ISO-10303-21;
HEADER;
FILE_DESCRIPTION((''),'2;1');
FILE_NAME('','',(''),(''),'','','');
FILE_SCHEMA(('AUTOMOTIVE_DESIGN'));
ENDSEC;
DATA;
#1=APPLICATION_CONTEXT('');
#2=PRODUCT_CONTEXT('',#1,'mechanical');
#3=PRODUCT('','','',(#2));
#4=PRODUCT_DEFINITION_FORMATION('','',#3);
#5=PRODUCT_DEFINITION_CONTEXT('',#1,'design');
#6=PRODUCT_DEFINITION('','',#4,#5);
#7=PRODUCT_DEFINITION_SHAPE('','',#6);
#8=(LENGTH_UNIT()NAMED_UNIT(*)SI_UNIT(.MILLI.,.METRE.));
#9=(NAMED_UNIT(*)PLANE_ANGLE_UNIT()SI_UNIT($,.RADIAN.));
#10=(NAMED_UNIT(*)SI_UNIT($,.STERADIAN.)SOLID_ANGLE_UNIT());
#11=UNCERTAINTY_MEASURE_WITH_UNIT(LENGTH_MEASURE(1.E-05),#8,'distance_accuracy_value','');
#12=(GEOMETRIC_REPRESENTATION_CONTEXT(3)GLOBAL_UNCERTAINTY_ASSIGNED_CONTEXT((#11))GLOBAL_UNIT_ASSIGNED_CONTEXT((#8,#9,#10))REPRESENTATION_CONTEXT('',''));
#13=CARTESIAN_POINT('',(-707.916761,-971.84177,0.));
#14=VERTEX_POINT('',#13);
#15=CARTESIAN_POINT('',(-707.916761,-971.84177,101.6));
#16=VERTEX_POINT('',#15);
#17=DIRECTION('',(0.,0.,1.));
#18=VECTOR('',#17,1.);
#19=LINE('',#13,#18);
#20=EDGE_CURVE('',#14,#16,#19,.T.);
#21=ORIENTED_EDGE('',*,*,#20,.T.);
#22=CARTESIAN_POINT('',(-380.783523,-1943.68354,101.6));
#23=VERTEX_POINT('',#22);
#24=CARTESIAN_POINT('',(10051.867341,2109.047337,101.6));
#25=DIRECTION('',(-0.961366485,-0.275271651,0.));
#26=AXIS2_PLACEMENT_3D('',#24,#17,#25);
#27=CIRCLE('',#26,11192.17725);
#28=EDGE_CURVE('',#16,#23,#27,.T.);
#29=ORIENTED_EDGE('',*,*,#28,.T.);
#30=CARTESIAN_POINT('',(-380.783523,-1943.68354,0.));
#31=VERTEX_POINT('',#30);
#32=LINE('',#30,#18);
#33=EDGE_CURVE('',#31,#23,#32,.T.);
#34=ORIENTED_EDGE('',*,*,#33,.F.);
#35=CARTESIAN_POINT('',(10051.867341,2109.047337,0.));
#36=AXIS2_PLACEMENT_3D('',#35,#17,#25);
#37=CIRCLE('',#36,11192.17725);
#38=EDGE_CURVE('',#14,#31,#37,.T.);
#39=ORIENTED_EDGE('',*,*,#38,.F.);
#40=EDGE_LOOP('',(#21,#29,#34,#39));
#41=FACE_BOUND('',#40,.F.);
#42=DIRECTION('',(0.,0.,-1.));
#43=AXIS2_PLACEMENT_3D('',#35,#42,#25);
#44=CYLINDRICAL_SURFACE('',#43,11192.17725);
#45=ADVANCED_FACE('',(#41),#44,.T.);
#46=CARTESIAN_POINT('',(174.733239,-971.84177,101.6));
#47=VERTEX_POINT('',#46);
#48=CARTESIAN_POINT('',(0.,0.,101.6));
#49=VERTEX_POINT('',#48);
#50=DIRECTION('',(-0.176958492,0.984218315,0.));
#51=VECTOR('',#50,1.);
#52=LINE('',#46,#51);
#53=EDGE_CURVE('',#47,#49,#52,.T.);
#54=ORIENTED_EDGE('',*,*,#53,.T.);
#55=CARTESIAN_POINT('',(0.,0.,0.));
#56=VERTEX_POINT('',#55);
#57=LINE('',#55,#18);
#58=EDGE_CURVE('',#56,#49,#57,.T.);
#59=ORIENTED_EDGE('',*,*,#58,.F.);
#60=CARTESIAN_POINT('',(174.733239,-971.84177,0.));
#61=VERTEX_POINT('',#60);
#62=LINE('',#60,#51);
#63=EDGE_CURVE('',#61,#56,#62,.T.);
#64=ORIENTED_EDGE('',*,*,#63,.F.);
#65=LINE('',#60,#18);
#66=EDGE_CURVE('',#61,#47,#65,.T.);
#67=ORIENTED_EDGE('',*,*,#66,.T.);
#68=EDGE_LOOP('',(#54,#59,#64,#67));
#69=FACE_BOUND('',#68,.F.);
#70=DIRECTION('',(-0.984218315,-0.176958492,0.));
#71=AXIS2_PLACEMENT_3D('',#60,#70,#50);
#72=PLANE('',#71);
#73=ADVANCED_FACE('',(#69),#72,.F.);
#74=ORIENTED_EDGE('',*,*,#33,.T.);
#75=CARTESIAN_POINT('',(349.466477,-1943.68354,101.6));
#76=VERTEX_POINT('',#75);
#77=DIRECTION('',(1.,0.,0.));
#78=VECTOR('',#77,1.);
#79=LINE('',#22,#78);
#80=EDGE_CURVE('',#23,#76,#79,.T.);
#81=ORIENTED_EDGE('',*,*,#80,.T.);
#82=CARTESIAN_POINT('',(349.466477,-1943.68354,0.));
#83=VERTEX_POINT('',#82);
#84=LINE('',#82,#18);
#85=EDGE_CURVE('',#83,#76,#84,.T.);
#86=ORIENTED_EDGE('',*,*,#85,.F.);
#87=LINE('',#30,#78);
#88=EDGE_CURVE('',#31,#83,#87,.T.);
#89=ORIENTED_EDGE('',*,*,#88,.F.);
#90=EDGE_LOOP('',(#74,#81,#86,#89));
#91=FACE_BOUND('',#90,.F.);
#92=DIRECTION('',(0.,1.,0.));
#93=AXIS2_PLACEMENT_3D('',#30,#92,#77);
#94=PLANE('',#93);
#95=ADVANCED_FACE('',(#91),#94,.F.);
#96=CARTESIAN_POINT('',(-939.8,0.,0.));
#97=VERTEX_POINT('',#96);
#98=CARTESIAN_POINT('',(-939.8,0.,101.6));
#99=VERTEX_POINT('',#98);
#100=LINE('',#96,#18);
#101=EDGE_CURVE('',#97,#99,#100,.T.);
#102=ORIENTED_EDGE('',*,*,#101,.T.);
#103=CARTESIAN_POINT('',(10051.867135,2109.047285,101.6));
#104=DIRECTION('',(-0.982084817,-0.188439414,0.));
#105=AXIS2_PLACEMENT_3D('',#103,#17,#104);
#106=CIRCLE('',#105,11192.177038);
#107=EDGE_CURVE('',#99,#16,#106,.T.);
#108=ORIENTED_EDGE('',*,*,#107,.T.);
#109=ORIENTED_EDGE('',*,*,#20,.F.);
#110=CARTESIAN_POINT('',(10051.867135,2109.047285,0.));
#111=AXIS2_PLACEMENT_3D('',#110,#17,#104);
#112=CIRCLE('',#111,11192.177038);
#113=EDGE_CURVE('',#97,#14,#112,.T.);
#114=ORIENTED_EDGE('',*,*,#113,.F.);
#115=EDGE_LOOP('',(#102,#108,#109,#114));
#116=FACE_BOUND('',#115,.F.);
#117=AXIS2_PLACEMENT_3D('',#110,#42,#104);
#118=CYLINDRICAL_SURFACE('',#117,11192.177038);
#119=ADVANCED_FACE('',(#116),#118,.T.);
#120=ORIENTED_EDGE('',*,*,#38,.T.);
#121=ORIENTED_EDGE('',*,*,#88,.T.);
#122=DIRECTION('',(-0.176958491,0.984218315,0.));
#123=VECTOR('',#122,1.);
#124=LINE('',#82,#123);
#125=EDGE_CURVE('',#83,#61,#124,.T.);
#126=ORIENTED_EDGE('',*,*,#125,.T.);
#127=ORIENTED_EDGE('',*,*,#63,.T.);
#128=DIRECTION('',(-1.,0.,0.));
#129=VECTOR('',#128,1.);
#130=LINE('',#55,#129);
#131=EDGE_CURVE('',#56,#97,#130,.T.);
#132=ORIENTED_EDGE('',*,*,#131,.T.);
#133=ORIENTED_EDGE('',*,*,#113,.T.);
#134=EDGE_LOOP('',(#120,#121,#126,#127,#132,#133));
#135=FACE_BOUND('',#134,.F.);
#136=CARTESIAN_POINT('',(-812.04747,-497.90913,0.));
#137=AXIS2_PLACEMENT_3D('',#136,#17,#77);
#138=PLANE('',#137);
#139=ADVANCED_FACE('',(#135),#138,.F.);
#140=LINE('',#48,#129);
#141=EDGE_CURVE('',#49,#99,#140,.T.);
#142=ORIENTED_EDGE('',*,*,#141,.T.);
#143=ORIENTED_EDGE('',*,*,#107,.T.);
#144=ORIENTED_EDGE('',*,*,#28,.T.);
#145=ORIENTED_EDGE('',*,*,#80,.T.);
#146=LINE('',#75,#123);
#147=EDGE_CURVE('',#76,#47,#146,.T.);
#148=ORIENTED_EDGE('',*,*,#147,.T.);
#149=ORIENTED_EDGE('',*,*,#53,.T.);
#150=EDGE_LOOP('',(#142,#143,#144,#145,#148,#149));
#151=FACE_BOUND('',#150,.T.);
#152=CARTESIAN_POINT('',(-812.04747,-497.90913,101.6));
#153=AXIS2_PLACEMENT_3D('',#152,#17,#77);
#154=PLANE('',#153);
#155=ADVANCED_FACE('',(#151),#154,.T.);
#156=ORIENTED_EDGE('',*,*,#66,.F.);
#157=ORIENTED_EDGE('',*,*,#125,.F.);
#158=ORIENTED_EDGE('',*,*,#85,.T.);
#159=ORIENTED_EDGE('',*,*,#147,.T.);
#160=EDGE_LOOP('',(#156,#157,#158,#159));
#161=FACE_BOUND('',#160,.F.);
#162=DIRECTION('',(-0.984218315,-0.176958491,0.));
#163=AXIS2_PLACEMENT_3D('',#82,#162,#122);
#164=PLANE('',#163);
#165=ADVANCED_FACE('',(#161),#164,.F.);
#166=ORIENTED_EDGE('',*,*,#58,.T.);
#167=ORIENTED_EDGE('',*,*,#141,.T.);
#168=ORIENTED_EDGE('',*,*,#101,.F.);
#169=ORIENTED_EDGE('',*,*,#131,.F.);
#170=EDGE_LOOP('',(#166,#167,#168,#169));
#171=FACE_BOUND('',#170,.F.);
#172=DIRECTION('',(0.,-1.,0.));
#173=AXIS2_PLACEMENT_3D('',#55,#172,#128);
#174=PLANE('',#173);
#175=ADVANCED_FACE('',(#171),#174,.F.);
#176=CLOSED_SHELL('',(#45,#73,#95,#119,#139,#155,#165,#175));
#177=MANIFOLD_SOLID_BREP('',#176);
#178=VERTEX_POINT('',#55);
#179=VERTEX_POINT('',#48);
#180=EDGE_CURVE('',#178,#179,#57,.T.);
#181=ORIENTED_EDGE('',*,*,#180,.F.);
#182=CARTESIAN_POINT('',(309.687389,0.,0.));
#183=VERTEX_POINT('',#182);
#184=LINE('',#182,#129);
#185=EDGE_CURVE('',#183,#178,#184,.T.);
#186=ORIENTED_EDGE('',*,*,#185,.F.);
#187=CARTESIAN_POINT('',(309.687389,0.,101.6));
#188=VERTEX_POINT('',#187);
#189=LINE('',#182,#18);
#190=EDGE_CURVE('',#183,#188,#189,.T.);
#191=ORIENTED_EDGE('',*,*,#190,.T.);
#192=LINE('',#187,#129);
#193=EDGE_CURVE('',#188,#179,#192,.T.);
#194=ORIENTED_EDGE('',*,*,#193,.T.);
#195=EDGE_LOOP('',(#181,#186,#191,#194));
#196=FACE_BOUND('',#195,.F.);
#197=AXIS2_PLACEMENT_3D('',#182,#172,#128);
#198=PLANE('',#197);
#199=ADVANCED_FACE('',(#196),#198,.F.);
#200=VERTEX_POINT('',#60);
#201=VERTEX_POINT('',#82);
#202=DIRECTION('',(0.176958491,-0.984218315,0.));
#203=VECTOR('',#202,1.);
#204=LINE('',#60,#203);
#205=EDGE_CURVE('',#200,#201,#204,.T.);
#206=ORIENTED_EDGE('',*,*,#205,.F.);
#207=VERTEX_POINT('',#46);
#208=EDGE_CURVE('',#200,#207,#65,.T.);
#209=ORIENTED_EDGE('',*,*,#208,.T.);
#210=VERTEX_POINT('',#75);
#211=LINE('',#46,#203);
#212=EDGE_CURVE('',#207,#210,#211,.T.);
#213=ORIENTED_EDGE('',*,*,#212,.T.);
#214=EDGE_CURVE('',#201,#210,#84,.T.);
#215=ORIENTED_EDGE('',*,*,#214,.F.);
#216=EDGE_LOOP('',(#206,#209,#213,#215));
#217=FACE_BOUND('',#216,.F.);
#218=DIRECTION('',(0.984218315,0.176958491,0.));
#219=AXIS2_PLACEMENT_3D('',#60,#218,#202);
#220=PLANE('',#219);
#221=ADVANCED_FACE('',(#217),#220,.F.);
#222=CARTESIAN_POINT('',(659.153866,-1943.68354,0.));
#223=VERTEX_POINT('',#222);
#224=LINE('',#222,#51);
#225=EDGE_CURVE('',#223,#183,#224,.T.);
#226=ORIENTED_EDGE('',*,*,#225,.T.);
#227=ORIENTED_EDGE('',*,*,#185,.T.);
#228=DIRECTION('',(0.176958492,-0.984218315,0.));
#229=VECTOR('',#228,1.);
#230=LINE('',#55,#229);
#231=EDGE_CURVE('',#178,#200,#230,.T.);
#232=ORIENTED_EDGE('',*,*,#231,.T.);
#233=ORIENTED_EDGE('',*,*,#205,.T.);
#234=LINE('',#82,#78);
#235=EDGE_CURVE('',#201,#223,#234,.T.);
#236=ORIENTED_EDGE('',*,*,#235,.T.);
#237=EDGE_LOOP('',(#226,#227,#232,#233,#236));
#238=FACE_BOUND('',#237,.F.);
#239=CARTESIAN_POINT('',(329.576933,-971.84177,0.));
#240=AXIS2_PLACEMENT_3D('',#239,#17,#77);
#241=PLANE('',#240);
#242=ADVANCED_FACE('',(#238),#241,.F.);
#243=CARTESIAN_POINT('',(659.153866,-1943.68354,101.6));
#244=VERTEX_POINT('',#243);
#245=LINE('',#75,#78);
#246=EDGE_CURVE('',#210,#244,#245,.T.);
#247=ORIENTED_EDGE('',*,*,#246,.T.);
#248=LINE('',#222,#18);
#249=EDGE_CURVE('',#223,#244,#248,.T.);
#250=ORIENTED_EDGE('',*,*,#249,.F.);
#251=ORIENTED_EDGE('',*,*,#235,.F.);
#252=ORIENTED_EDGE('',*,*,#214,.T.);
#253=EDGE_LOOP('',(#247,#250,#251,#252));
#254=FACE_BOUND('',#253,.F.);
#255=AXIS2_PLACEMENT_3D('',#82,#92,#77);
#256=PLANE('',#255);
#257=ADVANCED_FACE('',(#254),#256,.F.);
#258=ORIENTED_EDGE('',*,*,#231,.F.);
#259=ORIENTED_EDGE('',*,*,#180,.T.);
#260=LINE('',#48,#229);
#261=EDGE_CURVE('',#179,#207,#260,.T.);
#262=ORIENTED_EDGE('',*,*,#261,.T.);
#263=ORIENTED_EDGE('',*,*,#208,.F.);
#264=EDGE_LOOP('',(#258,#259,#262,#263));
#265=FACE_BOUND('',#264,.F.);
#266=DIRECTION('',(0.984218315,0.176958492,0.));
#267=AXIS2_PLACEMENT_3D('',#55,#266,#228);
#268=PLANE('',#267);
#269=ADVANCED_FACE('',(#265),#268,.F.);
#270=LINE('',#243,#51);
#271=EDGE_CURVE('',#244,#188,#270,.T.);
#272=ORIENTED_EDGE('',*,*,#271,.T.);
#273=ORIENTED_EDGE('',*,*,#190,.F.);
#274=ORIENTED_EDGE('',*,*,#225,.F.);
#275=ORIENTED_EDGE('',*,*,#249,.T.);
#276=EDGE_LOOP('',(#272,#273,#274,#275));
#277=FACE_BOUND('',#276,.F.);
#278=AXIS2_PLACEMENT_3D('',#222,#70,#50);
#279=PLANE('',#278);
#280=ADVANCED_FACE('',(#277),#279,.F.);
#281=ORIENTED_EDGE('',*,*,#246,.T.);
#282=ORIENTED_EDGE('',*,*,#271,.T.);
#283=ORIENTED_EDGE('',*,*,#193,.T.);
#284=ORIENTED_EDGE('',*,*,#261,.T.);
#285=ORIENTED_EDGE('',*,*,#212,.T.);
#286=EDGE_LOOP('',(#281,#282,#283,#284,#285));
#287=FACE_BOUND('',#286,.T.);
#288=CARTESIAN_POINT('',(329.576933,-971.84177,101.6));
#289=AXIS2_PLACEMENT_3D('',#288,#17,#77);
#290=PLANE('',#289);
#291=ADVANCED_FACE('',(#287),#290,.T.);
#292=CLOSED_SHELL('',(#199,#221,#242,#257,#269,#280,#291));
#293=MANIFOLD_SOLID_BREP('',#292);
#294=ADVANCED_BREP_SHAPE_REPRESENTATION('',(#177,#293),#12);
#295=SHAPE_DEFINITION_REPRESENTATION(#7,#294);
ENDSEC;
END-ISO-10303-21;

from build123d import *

# Parameters (mm, degrees)
F1_DEPTH = 101.6
F2_DEPTH = 101.6


with BuildPart() as f1:
    # F0 (on Top) → F1 (new body)
    with BuildSketch(Plane.XY):
        with BuildLine():
            Line((-660.291761, -971.84177), (-939.8, 0))
            ThreePointArc((-939.8, 0), (-834.708295, -488.509695), (-707.916761, -971.84177))
            Line((-707.916761, -971.84177), (-660.291761, -971.84177))
        make_face()
        Polygon((174.733239, -971.84177), (0, 0), (-939.8, 0), (-660.291761, -971.84177), align=None)
        with BuildLine():
            Line((-380.783523, -1943.68354), (-660.291761, -971.84177))
            Line((-660.291761, -971.84177), (-707.916761, -971.84177))
            ThreePointArc((-707.916761, -971.84177), (-555.48596, -1461.511101), (-380.783523, -1943.68354))
        make_face()
        Polygon((349.466477, -1943.68354), (174.733239, -971.84177), (-660.291761, -971.84177), (-380.783523, -1943.68354), align=None)
    extrude(amount=F1_DEPTH)


with BuildPart() as f2:
    # F0 (on Top) → F2 (new body)
    with BuildSketch(Plane.XY):
        Polygon((309.687389, 0), (0, 0), (174.733239, -971.84177), (349.466477, -1943.68354), (659.153866, -1943.68354), align=None)
    extrude(amount=F2_DEPTH)


solid = Compound([f1.part, f2.part])
